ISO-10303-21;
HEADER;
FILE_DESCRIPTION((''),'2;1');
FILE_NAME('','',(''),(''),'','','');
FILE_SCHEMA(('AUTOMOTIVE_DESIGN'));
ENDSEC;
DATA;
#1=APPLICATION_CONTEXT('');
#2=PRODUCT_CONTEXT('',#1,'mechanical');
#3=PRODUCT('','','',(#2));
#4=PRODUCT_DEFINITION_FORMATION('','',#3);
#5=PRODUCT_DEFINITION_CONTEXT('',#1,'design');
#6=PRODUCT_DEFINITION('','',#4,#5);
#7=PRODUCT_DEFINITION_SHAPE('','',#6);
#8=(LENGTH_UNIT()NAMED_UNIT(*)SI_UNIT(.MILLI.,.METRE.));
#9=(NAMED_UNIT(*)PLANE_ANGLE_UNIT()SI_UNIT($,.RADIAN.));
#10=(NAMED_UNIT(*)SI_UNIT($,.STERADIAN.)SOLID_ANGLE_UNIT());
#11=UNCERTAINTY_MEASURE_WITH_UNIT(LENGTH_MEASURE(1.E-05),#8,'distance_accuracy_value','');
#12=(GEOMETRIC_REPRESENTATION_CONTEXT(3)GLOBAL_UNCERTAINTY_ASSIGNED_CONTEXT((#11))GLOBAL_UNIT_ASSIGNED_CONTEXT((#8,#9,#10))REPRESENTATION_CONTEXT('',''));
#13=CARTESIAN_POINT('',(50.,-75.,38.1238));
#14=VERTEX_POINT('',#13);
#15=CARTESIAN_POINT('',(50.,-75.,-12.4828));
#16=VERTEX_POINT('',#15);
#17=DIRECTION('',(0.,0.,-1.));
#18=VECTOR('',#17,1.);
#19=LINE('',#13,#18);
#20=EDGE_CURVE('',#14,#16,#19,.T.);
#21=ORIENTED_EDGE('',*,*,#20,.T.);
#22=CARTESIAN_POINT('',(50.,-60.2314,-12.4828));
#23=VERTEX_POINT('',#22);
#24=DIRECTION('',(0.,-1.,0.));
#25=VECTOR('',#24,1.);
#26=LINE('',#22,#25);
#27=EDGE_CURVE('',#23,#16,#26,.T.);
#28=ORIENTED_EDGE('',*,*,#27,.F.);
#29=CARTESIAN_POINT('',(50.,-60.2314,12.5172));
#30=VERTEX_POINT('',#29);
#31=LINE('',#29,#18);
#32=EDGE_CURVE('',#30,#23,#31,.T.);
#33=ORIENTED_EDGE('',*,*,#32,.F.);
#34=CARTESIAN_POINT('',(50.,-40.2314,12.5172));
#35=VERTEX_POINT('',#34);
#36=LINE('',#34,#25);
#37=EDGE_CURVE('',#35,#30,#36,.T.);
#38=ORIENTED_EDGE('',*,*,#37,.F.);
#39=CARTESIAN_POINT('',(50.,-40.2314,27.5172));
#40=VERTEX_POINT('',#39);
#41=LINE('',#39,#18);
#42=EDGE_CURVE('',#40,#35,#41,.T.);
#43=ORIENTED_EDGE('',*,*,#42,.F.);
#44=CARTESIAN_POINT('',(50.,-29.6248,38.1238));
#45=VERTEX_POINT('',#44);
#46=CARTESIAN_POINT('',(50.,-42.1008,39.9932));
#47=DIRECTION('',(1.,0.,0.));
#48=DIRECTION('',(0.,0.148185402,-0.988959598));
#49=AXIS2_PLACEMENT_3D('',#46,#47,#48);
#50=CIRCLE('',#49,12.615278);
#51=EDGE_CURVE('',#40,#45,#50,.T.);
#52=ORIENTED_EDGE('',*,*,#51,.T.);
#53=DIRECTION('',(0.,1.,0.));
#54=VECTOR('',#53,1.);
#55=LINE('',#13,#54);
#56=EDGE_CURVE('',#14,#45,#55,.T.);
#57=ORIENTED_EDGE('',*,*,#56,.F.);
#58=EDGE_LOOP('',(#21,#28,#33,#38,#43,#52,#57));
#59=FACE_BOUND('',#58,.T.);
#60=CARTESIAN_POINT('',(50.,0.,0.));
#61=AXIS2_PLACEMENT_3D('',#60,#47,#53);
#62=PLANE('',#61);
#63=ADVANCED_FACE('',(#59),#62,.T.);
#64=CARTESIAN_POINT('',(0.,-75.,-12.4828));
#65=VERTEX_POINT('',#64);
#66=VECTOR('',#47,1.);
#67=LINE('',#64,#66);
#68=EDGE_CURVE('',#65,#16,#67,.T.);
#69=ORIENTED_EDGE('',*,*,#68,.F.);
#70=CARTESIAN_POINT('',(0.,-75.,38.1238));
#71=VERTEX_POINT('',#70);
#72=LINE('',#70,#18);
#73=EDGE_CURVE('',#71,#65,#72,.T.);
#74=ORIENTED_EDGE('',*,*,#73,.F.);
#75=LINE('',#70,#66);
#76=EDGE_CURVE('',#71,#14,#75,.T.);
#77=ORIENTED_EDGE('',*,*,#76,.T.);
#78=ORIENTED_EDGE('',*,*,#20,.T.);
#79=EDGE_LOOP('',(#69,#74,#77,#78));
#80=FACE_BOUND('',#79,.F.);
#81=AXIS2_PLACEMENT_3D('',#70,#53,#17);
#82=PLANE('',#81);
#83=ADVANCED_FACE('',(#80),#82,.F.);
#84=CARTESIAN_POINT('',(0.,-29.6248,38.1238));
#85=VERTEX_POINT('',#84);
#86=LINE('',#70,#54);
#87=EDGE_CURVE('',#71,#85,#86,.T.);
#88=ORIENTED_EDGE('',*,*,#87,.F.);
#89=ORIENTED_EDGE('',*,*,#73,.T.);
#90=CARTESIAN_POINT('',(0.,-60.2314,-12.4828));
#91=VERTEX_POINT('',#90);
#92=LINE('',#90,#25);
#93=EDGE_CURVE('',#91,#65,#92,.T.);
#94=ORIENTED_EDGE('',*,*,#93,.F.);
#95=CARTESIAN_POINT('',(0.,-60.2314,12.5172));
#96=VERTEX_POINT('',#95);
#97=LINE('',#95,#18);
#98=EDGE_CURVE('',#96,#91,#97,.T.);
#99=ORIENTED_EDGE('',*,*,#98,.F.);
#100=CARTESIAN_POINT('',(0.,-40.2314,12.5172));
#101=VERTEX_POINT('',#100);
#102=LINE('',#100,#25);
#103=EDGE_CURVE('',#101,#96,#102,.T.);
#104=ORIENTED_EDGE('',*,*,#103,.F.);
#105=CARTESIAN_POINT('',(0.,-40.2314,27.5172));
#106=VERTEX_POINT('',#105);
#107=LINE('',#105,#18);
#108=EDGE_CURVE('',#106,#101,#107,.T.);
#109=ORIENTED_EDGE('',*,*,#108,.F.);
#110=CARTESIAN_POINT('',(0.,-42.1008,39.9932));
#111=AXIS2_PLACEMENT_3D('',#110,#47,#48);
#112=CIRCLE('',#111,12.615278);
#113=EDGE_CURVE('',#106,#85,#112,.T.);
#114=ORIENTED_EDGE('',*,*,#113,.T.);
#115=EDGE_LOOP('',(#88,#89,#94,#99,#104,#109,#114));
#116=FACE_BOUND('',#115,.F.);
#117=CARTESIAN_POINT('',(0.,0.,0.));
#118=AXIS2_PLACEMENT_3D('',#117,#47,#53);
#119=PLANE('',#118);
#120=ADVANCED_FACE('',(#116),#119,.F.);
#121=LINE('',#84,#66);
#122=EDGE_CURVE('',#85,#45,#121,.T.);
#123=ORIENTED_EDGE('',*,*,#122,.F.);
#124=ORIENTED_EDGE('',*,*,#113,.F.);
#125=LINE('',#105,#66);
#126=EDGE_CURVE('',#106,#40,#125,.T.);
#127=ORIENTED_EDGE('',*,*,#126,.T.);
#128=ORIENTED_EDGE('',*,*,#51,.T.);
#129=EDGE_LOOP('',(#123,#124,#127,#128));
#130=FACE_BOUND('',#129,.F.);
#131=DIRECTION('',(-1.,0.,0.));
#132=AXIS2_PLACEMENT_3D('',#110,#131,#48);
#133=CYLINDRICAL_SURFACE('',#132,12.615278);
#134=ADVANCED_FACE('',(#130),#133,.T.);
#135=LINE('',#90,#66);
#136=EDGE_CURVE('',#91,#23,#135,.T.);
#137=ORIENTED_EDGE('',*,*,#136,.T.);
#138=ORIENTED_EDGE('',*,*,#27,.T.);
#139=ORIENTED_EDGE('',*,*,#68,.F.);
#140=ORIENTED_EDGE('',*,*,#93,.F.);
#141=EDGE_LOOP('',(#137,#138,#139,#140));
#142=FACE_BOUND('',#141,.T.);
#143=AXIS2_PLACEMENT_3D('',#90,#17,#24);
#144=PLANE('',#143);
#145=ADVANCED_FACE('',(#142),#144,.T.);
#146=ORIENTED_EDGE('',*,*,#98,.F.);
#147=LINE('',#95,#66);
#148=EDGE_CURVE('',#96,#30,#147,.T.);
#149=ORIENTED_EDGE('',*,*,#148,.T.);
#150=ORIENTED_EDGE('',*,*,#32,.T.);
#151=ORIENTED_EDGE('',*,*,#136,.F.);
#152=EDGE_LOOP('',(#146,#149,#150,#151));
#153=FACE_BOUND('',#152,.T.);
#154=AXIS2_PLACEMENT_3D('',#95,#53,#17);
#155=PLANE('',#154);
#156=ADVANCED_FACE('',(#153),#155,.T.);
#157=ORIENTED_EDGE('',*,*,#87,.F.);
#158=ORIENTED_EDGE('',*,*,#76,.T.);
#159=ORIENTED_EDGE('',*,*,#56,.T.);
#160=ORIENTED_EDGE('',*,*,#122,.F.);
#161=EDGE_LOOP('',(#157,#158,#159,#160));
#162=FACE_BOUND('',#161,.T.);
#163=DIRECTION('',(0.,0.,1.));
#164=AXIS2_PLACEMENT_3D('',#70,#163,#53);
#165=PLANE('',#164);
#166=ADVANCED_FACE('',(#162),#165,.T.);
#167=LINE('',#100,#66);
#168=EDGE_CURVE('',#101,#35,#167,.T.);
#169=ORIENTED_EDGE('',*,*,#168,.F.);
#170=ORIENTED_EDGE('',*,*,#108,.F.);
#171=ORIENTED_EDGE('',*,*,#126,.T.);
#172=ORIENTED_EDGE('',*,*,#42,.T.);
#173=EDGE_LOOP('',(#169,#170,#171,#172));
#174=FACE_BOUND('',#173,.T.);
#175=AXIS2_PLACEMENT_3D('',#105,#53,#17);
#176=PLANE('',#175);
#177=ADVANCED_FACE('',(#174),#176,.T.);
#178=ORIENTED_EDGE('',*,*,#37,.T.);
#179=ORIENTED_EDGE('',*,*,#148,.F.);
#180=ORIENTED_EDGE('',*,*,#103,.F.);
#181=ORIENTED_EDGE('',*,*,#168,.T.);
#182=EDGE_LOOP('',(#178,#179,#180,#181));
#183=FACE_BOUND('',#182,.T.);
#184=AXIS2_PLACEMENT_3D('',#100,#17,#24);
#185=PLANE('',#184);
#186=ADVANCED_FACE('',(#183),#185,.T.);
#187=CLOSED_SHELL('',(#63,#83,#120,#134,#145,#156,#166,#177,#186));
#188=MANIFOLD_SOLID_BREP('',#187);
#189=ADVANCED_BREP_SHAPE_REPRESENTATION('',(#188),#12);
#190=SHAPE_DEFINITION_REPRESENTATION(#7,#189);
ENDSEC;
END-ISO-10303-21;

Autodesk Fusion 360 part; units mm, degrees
sketch "Sketch1" plane through (0, 0, 0) normal (1, 0, 0) x (0, 1, 0)
  line L0 (-75, 38.1238) -> (-29.6248, 38.1238)
  line L1 (-29.6248, 38.1238) -> (-14.6248, 38.1238) construction
  line L2 (-40.2314, 27.5172) -> (-40.2314, 12.5172)
  line L3 (-40.2314, 12.5172) -> (-60.2314, 12.5172)
  line L4 (-60.2314, 12.5172) -> (-60.2314, -12.4828)
  line L5 (-75, 38.1238) -> (-75, -12.4828)
  arc A0 (-40.2314, 27.5172) -> (-29.6248, 38.1238) centre (-42.1008, 39.9932) ccw
  line L6 (-60.2314, -12.4828) -> (-75, -12.4828)
  dimension "d4" = 15
  dimension "d5" = 15
  dimension "d6" = 20
  dimension "d7" = 25
extrude "Extrude1" add sketch "Sketch1" along normal blind 50
